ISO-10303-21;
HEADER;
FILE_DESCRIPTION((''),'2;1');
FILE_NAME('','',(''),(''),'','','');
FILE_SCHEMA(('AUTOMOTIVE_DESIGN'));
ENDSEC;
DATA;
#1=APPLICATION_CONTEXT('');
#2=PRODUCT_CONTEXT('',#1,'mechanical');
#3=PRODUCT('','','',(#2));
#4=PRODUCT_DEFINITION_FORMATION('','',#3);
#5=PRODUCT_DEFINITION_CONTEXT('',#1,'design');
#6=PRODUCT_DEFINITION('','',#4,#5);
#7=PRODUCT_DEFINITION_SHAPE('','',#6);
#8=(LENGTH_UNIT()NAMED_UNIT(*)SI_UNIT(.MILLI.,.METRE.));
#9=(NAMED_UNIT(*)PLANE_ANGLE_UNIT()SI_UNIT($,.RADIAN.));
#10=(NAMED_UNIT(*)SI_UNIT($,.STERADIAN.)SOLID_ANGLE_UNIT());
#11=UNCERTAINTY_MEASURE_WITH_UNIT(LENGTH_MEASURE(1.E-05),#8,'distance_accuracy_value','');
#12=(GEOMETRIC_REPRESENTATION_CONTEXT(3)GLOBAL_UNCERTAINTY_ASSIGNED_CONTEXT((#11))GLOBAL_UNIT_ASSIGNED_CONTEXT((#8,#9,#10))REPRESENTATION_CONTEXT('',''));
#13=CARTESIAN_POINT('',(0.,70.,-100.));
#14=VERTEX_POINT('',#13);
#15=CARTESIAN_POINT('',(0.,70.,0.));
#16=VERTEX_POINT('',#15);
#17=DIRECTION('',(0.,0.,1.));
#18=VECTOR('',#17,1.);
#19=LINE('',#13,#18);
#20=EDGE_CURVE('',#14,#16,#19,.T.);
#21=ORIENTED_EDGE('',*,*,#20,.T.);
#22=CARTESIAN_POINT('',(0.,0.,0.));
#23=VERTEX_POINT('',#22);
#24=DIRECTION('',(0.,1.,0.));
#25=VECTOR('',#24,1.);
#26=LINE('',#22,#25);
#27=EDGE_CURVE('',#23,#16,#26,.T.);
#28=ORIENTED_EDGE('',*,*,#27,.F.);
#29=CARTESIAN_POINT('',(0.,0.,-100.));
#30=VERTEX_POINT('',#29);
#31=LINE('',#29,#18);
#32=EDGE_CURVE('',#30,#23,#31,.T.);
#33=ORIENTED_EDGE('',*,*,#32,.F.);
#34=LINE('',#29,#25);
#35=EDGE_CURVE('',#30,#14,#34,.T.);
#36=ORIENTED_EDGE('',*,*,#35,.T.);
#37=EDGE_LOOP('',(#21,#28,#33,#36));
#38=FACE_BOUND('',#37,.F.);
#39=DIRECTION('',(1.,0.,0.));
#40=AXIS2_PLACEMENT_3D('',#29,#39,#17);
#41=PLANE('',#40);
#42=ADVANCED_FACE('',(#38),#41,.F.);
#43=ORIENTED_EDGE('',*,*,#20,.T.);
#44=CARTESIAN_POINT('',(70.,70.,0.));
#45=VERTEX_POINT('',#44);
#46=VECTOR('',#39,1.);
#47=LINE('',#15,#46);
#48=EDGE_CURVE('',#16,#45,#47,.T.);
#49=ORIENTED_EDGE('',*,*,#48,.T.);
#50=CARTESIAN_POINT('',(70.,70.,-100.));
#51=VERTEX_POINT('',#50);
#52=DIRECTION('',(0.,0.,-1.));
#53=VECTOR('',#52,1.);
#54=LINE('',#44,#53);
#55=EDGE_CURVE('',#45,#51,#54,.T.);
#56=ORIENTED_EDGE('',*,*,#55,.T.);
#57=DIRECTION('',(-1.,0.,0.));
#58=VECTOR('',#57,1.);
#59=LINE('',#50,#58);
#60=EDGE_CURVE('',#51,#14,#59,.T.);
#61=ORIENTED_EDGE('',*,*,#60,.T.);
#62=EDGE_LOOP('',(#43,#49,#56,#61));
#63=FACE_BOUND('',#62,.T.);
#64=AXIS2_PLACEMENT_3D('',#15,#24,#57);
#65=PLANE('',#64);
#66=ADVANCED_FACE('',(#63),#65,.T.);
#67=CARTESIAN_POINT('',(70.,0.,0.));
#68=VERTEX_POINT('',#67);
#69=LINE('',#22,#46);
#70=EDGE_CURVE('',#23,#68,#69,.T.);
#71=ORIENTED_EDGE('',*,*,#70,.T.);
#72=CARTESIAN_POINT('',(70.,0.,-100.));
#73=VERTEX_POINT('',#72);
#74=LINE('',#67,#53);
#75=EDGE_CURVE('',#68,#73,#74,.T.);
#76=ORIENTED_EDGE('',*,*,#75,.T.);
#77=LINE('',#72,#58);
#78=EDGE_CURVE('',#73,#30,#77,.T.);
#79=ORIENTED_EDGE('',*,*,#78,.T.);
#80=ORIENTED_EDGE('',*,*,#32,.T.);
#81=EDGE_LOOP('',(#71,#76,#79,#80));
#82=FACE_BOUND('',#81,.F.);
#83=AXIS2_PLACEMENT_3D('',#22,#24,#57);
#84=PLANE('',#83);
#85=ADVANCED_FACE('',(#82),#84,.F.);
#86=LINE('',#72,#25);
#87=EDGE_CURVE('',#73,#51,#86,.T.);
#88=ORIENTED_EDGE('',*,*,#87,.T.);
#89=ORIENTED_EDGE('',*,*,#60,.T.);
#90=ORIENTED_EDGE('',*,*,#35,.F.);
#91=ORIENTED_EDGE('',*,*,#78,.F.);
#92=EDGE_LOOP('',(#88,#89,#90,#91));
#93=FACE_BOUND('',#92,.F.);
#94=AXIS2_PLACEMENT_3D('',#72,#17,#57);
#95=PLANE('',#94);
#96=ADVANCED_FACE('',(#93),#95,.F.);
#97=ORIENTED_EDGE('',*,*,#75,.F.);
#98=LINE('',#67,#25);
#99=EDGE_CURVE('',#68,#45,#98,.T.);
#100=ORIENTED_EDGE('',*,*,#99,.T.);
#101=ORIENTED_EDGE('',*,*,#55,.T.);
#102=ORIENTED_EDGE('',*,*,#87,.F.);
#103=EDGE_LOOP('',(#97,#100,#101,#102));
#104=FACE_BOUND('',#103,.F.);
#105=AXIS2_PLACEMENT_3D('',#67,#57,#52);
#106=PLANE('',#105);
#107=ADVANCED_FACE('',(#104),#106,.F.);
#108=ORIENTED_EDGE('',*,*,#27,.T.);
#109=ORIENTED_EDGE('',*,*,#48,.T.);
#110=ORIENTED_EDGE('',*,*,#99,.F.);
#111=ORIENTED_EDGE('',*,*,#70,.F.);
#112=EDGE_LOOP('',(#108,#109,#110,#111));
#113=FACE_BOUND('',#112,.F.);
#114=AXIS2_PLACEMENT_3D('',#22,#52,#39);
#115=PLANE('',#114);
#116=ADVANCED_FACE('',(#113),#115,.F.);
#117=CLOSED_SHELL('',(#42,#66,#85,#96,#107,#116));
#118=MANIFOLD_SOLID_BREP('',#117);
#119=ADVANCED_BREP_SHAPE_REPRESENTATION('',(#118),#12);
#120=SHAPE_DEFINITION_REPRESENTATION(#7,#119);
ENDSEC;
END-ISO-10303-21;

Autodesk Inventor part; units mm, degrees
ref_plane "YZ Plane" through (0, 0, 0) normal (1, 0, 0) x (0, 1, 0)
ref_plane "XZ Plane" through (0, 0, 0) normal (0, 1, 0) x (-1, 0, 0)
ref_plane "XY Plane" through (0, 0, 0) normal (0, 0, 1) x (1, 0, 0)
sketch "Sketch1" plane through (0, 0, 0) normal (0, 1, 0) x (-1, 0, 0)
  line L0 (0, 0) -> (-70, 0)
  line L1 (-70, 0) -> (-70, -100)
  line L2 (-70, -100) -> (0, -100)
  line L3 (0, -100) -> (0, 0)
  dimension "d0" = 70
  dimension "d1" = 100
extrude "Extrusion1" add sketch "Sketch1" along normal blind 70
properties part number "lidar"
